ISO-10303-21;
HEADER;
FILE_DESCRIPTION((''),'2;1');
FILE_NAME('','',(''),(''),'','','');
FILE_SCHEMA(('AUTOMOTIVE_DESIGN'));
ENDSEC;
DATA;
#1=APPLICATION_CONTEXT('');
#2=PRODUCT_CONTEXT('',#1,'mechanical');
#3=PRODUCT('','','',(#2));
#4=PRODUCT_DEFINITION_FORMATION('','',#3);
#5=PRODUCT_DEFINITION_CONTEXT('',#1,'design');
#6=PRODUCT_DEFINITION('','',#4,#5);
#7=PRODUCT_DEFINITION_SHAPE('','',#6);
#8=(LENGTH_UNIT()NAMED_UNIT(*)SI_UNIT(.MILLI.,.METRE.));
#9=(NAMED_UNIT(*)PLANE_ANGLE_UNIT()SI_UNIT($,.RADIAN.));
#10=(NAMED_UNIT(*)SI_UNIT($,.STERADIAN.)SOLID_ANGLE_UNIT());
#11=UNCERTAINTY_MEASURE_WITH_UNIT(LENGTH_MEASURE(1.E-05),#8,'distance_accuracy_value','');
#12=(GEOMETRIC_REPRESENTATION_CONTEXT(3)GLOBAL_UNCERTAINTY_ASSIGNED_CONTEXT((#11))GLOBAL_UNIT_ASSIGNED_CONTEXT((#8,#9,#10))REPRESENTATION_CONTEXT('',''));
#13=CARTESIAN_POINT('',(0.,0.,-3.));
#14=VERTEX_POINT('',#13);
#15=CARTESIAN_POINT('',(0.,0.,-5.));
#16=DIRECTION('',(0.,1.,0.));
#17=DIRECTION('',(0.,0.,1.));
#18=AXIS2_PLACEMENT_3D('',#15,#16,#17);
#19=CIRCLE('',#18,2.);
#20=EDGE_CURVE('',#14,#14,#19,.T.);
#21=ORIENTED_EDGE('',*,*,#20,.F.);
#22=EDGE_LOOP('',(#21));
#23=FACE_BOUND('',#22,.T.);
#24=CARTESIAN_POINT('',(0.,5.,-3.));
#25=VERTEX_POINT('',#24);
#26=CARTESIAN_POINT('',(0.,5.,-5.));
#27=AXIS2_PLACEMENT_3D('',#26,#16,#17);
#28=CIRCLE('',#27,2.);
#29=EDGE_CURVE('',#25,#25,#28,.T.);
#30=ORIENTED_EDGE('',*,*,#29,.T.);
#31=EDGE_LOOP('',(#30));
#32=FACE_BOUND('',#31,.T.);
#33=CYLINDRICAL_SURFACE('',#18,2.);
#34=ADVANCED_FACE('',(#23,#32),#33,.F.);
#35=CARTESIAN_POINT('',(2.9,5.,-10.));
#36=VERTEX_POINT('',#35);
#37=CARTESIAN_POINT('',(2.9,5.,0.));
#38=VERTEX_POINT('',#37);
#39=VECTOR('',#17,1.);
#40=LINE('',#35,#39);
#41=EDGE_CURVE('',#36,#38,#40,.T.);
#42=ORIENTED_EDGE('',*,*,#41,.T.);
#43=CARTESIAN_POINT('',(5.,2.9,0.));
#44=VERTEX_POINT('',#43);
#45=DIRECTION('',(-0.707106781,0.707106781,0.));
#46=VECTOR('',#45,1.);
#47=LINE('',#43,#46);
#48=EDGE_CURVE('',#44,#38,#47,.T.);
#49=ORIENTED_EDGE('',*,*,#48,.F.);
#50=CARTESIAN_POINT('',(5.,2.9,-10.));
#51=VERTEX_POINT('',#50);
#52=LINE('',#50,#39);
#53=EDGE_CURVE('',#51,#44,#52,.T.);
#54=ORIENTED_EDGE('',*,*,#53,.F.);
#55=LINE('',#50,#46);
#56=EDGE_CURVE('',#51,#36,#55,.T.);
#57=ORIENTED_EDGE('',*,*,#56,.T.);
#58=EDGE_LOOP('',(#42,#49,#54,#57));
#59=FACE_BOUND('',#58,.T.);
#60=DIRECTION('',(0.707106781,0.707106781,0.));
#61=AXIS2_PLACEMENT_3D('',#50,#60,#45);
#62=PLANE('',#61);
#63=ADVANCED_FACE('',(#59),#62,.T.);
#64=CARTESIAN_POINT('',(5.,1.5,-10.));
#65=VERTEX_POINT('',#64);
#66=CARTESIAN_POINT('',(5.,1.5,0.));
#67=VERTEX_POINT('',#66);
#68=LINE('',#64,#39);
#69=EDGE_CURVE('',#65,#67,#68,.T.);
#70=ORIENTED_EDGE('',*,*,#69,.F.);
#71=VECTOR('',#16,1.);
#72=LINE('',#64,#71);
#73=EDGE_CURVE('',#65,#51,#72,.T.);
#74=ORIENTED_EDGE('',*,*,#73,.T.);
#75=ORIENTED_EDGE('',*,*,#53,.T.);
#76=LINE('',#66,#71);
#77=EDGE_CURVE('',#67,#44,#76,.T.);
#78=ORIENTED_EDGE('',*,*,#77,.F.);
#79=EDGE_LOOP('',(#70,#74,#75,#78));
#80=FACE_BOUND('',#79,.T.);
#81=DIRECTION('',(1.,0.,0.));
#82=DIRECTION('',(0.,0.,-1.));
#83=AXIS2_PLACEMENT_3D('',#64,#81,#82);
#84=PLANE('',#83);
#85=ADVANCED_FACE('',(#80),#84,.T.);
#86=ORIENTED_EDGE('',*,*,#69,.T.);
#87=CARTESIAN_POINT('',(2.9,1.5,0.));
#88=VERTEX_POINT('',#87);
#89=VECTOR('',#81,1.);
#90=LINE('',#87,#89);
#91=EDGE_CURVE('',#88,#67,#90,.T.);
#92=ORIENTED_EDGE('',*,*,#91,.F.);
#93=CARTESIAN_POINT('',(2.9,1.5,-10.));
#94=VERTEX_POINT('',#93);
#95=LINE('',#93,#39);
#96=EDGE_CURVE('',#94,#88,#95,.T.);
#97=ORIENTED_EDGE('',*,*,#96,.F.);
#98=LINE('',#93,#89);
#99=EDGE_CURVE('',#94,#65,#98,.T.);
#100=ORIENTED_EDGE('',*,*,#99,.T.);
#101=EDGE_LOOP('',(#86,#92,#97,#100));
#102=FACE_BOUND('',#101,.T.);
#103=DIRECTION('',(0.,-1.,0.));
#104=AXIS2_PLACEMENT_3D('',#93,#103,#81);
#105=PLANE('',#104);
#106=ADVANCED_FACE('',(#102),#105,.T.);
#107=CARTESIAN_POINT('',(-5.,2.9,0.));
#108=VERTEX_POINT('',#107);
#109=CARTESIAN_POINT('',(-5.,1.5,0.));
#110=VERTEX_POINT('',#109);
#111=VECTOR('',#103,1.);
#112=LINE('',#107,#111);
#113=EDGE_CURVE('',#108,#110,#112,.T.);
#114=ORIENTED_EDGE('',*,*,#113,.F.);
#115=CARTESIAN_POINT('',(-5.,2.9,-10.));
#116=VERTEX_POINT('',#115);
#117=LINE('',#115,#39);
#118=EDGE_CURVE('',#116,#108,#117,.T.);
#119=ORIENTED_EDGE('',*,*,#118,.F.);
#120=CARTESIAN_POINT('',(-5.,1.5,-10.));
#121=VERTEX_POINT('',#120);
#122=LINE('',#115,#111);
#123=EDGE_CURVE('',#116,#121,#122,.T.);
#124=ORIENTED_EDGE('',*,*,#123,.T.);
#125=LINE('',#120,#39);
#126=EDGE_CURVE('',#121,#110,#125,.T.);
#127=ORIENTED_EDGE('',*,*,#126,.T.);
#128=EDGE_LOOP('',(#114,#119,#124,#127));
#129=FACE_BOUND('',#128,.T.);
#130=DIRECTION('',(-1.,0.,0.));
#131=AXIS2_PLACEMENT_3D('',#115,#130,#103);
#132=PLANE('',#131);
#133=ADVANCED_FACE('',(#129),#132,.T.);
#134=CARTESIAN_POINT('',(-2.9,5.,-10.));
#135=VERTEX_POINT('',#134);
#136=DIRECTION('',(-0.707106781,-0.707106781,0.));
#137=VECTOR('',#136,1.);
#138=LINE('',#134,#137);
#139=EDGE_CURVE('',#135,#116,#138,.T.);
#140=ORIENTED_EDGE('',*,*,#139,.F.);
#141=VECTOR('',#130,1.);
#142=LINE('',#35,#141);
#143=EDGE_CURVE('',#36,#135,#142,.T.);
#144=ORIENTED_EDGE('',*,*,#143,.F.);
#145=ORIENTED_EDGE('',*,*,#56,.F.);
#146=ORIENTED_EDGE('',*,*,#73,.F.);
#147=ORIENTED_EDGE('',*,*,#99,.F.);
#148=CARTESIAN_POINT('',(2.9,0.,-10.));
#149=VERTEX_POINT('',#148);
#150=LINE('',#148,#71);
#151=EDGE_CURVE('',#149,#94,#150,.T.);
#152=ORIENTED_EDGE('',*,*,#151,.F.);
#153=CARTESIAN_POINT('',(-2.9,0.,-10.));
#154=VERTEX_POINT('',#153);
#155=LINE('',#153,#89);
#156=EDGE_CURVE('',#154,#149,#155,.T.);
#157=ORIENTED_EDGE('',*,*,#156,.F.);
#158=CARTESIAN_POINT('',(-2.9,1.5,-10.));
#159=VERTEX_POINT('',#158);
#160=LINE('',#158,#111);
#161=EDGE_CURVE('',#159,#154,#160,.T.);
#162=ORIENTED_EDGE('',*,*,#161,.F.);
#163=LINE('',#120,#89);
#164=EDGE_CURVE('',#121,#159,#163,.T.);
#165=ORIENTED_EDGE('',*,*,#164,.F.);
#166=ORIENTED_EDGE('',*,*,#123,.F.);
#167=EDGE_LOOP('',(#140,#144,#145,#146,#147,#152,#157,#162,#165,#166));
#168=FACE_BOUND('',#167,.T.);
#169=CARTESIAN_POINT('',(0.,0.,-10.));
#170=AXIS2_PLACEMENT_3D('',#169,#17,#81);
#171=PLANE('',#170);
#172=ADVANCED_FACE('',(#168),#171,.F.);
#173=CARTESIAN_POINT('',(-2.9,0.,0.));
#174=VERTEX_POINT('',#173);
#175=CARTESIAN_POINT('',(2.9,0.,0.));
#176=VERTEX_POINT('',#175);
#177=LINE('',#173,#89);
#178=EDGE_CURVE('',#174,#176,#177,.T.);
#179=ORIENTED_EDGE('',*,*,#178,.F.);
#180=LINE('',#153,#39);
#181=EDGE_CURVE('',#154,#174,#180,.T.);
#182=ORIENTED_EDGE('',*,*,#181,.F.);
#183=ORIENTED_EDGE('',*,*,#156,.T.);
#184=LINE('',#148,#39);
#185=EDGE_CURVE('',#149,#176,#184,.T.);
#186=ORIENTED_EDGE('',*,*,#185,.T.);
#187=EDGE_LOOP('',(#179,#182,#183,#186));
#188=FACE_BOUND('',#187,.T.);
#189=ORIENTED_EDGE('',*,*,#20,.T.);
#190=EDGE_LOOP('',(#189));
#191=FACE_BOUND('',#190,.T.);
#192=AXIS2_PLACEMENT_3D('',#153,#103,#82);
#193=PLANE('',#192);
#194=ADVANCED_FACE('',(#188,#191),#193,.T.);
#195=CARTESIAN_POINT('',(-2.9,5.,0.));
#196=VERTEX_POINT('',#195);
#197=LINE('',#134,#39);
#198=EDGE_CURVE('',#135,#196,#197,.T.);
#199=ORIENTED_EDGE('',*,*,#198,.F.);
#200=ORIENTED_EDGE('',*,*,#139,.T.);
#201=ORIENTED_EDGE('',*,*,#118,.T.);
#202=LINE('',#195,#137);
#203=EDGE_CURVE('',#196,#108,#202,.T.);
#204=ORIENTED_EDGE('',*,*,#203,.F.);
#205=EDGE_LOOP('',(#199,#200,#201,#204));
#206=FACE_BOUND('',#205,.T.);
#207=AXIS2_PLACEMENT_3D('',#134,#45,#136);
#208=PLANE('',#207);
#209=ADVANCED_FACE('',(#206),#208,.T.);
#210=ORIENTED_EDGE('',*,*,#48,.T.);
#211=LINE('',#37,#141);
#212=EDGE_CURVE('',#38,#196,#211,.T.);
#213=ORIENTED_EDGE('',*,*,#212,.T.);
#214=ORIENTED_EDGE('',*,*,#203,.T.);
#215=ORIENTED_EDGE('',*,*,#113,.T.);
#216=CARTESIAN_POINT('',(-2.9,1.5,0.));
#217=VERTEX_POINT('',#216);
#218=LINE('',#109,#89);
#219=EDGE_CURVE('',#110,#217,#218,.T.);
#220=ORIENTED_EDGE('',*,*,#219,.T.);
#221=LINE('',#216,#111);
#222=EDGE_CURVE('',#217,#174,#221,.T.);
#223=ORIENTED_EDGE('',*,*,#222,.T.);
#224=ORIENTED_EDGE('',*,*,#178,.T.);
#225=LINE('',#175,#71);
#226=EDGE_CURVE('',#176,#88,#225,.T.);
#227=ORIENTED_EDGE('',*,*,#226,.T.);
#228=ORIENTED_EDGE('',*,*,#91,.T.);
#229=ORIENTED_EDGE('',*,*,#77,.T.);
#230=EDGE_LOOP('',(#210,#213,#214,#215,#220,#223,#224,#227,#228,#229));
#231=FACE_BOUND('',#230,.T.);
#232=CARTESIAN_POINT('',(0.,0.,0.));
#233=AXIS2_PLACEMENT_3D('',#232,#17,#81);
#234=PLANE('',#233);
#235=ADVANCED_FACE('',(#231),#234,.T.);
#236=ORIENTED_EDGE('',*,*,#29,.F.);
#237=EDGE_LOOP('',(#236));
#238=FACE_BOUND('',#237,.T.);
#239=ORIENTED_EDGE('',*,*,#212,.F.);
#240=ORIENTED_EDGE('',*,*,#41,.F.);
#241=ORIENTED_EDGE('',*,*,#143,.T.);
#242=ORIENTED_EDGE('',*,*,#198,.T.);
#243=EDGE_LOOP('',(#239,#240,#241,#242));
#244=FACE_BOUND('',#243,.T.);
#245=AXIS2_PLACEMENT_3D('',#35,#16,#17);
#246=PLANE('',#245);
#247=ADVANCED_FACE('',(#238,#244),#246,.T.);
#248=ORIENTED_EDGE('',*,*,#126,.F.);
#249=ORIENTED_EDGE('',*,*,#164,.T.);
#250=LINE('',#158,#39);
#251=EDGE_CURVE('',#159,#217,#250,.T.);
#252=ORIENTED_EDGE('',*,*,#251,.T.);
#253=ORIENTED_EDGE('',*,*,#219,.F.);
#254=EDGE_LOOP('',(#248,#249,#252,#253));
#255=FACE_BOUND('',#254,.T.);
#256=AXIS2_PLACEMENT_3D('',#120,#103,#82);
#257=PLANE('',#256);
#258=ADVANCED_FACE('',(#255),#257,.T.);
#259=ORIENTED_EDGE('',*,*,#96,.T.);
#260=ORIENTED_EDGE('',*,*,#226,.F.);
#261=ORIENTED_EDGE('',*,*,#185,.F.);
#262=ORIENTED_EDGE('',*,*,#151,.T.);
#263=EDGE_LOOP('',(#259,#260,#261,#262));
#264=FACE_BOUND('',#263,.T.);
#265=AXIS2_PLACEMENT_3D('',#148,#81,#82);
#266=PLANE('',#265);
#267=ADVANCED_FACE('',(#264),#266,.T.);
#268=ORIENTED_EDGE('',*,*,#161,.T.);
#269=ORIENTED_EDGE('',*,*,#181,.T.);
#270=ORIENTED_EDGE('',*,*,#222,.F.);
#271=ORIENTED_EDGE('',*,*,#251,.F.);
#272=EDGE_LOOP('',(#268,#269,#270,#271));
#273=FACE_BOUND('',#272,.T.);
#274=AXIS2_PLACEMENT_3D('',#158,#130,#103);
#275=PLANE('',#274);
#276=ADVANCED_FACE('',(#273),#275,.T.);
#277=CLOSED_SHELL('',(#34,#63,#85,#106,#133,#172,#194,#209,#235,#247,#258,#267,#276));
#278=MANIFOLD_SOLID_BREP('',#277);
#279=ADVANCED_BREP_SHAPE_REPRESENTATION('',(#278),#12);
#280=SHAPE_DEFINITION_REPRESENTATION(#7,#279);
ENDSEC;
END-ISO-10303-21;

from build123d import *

# Parameters (mm, degrees)
EXTRUDE_1_DEPTH     = 10
SKETCH_4_R          = 2
CUT_EXTRUDE_1_DEPTH = 13.247448714


with BuildPart() as part:
    # 草图1 → 凸台-拉伸1 (new body)
    with BuildSketch(Plane.XY):
        Polygon((-2.9, 0), (2.9, 0), (2.9, 1.5), (5, 1.5), (5, 2.9), (2.9, 5), (-2.9, 5), (-5, 2.9), (-5, 1.5), (-2.9, 1.5), align=None)
    extrude(amount=-EXTRUDE_1_DEPTH)

    # 草图4 → 切除-拉伸1 (cut, through all)
    with BuildSketch(Plane(origin=(0, 5, 0), x_dir=(1, 0, 0), z_dir=(0, 1, 0))):
        with Locations(Location((0, 5, 0), (0, 0, 270))):
            Circle(SKETCH_4_R)
    extrude(amount=-CUT_EXTRUDE_1_DEPTH, mode=Mode.SUBTRACT)


solid = part.part
